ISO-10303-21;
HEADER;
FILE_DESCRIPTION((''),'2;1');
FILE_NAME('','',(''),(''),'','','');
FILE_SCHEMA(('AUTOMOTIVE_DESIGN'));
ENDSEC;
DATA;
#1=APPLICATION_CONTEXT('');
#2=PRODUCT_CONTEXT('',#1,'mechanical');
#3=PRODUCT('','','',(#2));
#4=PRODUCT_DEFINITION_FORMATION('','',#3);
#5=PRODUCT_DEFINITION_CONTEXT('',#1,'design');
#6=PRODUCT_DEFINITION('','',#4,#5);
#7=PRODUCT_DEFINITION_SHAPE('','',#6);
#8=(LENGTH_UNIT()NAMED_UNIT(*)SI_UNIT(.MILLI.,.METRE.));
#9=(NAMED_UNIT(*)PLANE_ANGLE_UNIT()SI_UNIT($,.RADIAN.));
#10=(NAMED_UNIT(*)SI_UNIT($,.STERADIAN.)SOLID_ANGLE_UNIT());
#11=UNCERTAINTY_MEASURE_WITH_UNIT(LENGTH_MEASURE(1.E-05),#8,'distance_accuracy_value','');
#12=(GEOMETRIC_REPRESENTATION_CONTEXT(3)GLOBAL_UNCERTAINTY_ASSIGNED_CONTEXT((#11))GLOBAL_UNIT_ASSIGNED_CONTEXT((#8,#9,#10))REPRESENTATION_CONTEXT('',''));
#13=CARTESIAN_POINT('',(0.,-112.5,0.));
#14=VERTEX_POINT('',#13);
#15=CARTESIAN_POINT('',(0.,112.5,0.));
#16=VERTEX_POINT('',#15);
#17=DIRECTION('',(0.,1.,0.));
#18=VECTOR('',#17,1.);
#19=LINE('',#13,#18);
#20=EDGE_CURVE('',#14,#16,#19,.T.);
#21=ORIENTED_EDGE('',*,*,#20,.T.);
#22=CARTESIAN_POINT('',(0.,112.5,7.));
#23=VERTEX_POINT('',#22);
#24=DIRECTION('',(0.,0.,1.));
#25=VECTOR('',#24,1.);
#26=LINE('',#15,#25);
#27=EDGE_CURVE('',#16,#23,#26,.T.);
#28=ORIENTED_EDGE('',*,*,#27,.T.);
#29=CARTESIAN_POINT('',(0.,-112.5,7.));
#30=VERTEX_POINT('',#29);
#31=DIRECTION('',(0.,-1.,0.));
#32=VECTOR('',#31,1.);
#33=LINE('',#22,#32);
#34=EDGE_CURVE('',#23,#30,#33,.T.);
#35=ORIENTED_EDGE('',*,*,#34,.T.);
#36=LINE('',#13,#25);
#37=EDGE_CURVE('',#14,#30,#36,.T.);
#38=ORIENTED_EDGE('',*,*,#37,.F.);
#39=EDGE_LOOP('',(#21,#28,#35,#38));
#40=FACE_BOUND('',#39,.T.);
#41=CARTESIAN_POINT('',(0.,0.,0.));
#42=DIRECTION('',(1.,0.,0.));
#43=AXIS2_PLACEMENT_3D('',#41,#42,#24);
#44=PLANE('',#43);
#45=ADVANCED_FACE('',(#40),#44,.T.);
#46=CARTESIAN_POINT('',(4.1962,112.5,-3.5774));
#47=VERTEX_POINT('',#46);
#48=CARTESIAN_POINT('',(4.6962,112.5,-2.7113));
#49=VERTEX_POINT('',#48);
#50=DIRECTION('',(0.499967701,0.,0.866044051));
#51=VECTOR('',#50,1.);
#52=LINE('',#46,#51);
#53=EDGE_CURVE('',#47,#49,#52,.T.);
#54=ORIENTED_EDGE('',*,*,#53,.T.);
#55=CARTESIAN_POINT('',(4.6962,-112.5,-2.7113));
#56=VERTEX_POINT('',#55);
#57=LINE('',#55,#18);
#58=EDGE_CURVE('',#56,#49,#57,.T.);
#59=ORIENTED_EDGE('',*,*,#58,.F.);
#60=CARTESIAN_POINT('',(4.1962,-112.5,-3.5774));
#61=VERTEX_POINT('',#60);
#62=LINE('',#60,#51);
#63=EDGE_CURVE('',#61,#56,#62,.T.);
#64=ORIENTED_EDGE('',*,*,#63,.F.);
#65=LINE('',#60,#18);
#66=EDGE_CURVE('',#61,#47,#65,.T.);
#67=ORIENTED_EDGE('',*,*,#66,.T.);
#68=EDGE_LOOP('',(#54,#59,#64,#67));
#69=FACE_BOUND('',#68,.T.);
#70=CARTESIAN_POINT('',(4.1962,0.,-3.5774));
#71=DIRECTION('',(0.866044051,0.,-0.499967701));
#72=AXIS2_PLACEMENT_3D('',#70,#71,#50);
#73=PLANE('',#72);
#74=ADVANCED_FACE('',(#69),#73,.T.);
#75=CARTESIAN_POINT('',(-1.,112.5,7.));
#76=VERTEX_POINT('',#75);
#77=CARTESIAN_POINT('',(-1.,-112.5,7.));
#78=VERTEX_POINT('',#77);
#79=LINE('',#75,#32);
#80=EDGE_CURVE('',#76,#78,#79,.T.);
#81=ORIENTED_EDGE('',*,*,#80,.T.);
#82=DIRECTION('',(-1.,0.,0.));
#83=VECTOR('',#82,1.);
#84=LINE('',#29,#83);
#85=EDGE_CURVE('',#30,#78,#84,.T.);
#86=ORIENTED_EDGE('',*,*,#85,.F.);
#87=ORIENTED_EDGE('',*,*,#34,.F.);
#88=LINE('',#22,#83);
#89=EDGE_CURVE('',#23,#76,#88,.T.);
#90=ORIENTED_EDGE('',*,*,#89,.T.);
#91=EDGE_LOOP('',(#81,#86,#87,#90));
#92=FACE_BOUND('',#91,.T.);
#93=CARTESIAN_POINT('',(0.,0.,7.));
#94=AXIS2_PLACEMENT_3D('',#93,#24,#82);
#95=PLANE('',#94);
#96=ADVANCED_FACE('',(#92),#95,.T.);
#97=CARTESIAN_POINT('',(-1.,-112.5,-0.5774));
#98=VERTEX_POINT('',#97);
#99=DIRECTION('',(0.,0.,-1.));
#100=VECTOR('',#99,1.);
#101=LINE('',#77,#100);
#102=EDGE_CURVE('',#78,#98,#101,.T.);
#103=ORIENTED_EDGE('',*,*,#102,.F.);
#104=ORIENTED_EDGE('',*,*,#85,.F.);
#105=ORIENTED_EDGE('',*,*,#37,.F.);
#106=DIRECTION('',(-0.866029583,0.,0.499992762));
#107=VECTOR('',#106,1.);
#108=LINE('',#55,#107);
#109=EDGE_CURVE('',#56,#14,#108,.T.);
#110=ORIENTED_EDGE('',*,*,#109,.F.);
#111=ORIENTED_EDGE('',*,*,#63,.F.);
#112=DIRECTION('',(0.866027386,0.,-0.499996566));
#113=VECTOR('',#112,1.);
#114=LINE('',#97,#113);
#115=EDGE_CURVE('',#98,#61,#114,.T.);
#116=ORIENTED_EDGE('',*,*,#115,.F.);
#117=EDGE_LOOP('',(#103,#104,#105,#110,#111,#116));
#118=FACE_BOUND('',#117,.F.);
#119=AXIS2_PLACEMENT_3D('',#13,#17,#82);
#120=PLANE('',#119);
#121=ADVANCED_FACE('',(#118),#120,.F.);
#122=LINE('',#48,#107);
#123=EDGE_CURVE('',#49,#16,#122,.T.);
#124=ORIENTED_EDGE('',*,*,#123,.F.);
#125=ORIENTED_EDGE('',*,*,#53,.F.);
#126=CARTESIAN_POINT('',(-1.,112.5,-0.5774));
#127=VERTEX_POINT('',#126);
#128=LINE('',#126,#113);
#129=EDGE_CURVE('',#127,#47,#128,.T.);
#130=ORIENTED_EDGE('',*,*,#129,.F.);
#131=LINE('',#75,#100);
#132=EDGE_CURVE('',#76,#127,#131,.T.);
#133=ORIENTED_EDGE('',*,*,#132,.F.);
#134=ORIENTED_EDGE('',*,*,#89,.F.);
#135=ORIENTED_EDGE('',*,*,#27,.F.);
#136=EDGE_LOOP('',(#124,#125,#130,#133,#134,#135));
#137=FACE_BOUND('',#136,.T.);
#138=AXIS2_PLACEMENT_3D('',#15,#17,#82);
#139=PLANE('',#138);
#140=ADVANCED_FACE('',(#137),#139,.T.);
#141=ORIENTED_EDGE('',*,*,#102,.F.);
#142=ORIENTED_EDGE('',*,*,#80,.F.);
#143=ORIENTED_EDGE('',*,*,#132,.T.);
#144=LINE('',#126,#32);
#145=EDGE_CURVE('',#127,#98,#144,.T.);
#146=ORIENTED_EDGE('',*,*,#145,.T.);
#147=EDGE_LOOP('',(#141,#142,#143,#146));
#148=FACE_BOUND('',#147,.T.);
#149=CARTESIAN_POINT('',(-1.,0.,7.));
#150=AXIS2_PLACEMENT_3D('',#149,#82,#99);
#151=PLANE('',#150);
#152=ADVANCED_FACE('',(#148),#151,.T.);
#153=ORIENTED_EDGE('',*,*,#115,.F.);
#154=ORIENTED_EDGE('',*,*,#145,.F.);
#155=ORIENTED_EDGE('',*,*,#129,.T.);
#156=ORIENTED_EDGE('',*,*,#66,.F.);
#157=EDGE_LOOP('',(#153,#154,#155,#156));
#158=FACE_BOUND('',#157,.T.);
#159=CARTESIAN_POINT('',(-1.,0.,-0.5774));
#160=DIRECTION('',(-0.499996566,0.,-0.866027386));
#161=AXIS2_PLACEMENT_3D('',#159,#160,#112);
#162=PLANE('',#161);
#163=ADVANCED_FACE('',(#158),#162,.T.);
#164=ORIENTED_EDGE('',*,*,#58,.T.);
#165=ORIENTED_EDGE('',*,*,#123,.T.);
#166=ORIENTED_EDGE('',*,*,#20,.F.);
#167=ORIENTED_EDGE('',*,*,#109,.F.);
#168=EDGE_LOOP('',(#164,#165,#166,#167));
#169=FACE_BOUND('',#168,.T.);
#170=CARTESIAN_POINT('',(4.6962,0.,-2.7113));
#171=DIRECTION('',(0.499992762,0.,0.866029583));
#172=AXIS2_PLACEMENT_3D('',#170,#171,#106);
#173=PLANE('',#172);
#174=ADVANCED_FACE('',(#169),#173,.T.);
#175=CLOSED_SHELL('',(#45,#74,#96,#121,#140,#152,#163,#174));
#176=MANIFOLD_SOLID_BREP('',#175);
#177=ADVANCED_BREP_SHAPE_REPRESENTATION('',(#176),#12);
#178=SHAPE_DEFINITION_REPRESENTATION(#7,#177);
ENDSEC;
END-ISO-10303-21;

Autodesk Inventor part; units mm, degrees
ref_plane "YZ Plane" through (0, 0, 0) normal (1, 0, 0) x (0, 1, 0)
ref_plane "XZ Plane" through (0, 0, 0) normal (0, 1, 0) x (-1, 0, 0)
ref_plane "XY Plane" through (0, 0, 0) normal (0, 0, 1) x (1, 0, 0)
sketch "スケッチ1" plane through (0, 0, 0) normal (0, 1, 0) x (-1, 0, 0)
  line L0 (0, 0) -> (0, 7)
  line L1 (0, 7) -> (1, 7)
  line L2 (1, 7) -> (1, -0.5774)
  line L3 (1, -0.5774) -> (-4.1962, -3.5774)
  line L4 (-4.1962, -3.5774) -> (-4.6962, -2.7113)
  line L5 (-4.6962, -2.7113) -> (0, 0)
  dimension "d0" = 7
  dimension "d1" = 1
  dimension "d2" = 1
  dimension "d5" = 120
  dimension "d6" = 6
extrude "押し出し1" add sketch "スケッチ1" along normal mid plane 225
properties part number "gurnee"
